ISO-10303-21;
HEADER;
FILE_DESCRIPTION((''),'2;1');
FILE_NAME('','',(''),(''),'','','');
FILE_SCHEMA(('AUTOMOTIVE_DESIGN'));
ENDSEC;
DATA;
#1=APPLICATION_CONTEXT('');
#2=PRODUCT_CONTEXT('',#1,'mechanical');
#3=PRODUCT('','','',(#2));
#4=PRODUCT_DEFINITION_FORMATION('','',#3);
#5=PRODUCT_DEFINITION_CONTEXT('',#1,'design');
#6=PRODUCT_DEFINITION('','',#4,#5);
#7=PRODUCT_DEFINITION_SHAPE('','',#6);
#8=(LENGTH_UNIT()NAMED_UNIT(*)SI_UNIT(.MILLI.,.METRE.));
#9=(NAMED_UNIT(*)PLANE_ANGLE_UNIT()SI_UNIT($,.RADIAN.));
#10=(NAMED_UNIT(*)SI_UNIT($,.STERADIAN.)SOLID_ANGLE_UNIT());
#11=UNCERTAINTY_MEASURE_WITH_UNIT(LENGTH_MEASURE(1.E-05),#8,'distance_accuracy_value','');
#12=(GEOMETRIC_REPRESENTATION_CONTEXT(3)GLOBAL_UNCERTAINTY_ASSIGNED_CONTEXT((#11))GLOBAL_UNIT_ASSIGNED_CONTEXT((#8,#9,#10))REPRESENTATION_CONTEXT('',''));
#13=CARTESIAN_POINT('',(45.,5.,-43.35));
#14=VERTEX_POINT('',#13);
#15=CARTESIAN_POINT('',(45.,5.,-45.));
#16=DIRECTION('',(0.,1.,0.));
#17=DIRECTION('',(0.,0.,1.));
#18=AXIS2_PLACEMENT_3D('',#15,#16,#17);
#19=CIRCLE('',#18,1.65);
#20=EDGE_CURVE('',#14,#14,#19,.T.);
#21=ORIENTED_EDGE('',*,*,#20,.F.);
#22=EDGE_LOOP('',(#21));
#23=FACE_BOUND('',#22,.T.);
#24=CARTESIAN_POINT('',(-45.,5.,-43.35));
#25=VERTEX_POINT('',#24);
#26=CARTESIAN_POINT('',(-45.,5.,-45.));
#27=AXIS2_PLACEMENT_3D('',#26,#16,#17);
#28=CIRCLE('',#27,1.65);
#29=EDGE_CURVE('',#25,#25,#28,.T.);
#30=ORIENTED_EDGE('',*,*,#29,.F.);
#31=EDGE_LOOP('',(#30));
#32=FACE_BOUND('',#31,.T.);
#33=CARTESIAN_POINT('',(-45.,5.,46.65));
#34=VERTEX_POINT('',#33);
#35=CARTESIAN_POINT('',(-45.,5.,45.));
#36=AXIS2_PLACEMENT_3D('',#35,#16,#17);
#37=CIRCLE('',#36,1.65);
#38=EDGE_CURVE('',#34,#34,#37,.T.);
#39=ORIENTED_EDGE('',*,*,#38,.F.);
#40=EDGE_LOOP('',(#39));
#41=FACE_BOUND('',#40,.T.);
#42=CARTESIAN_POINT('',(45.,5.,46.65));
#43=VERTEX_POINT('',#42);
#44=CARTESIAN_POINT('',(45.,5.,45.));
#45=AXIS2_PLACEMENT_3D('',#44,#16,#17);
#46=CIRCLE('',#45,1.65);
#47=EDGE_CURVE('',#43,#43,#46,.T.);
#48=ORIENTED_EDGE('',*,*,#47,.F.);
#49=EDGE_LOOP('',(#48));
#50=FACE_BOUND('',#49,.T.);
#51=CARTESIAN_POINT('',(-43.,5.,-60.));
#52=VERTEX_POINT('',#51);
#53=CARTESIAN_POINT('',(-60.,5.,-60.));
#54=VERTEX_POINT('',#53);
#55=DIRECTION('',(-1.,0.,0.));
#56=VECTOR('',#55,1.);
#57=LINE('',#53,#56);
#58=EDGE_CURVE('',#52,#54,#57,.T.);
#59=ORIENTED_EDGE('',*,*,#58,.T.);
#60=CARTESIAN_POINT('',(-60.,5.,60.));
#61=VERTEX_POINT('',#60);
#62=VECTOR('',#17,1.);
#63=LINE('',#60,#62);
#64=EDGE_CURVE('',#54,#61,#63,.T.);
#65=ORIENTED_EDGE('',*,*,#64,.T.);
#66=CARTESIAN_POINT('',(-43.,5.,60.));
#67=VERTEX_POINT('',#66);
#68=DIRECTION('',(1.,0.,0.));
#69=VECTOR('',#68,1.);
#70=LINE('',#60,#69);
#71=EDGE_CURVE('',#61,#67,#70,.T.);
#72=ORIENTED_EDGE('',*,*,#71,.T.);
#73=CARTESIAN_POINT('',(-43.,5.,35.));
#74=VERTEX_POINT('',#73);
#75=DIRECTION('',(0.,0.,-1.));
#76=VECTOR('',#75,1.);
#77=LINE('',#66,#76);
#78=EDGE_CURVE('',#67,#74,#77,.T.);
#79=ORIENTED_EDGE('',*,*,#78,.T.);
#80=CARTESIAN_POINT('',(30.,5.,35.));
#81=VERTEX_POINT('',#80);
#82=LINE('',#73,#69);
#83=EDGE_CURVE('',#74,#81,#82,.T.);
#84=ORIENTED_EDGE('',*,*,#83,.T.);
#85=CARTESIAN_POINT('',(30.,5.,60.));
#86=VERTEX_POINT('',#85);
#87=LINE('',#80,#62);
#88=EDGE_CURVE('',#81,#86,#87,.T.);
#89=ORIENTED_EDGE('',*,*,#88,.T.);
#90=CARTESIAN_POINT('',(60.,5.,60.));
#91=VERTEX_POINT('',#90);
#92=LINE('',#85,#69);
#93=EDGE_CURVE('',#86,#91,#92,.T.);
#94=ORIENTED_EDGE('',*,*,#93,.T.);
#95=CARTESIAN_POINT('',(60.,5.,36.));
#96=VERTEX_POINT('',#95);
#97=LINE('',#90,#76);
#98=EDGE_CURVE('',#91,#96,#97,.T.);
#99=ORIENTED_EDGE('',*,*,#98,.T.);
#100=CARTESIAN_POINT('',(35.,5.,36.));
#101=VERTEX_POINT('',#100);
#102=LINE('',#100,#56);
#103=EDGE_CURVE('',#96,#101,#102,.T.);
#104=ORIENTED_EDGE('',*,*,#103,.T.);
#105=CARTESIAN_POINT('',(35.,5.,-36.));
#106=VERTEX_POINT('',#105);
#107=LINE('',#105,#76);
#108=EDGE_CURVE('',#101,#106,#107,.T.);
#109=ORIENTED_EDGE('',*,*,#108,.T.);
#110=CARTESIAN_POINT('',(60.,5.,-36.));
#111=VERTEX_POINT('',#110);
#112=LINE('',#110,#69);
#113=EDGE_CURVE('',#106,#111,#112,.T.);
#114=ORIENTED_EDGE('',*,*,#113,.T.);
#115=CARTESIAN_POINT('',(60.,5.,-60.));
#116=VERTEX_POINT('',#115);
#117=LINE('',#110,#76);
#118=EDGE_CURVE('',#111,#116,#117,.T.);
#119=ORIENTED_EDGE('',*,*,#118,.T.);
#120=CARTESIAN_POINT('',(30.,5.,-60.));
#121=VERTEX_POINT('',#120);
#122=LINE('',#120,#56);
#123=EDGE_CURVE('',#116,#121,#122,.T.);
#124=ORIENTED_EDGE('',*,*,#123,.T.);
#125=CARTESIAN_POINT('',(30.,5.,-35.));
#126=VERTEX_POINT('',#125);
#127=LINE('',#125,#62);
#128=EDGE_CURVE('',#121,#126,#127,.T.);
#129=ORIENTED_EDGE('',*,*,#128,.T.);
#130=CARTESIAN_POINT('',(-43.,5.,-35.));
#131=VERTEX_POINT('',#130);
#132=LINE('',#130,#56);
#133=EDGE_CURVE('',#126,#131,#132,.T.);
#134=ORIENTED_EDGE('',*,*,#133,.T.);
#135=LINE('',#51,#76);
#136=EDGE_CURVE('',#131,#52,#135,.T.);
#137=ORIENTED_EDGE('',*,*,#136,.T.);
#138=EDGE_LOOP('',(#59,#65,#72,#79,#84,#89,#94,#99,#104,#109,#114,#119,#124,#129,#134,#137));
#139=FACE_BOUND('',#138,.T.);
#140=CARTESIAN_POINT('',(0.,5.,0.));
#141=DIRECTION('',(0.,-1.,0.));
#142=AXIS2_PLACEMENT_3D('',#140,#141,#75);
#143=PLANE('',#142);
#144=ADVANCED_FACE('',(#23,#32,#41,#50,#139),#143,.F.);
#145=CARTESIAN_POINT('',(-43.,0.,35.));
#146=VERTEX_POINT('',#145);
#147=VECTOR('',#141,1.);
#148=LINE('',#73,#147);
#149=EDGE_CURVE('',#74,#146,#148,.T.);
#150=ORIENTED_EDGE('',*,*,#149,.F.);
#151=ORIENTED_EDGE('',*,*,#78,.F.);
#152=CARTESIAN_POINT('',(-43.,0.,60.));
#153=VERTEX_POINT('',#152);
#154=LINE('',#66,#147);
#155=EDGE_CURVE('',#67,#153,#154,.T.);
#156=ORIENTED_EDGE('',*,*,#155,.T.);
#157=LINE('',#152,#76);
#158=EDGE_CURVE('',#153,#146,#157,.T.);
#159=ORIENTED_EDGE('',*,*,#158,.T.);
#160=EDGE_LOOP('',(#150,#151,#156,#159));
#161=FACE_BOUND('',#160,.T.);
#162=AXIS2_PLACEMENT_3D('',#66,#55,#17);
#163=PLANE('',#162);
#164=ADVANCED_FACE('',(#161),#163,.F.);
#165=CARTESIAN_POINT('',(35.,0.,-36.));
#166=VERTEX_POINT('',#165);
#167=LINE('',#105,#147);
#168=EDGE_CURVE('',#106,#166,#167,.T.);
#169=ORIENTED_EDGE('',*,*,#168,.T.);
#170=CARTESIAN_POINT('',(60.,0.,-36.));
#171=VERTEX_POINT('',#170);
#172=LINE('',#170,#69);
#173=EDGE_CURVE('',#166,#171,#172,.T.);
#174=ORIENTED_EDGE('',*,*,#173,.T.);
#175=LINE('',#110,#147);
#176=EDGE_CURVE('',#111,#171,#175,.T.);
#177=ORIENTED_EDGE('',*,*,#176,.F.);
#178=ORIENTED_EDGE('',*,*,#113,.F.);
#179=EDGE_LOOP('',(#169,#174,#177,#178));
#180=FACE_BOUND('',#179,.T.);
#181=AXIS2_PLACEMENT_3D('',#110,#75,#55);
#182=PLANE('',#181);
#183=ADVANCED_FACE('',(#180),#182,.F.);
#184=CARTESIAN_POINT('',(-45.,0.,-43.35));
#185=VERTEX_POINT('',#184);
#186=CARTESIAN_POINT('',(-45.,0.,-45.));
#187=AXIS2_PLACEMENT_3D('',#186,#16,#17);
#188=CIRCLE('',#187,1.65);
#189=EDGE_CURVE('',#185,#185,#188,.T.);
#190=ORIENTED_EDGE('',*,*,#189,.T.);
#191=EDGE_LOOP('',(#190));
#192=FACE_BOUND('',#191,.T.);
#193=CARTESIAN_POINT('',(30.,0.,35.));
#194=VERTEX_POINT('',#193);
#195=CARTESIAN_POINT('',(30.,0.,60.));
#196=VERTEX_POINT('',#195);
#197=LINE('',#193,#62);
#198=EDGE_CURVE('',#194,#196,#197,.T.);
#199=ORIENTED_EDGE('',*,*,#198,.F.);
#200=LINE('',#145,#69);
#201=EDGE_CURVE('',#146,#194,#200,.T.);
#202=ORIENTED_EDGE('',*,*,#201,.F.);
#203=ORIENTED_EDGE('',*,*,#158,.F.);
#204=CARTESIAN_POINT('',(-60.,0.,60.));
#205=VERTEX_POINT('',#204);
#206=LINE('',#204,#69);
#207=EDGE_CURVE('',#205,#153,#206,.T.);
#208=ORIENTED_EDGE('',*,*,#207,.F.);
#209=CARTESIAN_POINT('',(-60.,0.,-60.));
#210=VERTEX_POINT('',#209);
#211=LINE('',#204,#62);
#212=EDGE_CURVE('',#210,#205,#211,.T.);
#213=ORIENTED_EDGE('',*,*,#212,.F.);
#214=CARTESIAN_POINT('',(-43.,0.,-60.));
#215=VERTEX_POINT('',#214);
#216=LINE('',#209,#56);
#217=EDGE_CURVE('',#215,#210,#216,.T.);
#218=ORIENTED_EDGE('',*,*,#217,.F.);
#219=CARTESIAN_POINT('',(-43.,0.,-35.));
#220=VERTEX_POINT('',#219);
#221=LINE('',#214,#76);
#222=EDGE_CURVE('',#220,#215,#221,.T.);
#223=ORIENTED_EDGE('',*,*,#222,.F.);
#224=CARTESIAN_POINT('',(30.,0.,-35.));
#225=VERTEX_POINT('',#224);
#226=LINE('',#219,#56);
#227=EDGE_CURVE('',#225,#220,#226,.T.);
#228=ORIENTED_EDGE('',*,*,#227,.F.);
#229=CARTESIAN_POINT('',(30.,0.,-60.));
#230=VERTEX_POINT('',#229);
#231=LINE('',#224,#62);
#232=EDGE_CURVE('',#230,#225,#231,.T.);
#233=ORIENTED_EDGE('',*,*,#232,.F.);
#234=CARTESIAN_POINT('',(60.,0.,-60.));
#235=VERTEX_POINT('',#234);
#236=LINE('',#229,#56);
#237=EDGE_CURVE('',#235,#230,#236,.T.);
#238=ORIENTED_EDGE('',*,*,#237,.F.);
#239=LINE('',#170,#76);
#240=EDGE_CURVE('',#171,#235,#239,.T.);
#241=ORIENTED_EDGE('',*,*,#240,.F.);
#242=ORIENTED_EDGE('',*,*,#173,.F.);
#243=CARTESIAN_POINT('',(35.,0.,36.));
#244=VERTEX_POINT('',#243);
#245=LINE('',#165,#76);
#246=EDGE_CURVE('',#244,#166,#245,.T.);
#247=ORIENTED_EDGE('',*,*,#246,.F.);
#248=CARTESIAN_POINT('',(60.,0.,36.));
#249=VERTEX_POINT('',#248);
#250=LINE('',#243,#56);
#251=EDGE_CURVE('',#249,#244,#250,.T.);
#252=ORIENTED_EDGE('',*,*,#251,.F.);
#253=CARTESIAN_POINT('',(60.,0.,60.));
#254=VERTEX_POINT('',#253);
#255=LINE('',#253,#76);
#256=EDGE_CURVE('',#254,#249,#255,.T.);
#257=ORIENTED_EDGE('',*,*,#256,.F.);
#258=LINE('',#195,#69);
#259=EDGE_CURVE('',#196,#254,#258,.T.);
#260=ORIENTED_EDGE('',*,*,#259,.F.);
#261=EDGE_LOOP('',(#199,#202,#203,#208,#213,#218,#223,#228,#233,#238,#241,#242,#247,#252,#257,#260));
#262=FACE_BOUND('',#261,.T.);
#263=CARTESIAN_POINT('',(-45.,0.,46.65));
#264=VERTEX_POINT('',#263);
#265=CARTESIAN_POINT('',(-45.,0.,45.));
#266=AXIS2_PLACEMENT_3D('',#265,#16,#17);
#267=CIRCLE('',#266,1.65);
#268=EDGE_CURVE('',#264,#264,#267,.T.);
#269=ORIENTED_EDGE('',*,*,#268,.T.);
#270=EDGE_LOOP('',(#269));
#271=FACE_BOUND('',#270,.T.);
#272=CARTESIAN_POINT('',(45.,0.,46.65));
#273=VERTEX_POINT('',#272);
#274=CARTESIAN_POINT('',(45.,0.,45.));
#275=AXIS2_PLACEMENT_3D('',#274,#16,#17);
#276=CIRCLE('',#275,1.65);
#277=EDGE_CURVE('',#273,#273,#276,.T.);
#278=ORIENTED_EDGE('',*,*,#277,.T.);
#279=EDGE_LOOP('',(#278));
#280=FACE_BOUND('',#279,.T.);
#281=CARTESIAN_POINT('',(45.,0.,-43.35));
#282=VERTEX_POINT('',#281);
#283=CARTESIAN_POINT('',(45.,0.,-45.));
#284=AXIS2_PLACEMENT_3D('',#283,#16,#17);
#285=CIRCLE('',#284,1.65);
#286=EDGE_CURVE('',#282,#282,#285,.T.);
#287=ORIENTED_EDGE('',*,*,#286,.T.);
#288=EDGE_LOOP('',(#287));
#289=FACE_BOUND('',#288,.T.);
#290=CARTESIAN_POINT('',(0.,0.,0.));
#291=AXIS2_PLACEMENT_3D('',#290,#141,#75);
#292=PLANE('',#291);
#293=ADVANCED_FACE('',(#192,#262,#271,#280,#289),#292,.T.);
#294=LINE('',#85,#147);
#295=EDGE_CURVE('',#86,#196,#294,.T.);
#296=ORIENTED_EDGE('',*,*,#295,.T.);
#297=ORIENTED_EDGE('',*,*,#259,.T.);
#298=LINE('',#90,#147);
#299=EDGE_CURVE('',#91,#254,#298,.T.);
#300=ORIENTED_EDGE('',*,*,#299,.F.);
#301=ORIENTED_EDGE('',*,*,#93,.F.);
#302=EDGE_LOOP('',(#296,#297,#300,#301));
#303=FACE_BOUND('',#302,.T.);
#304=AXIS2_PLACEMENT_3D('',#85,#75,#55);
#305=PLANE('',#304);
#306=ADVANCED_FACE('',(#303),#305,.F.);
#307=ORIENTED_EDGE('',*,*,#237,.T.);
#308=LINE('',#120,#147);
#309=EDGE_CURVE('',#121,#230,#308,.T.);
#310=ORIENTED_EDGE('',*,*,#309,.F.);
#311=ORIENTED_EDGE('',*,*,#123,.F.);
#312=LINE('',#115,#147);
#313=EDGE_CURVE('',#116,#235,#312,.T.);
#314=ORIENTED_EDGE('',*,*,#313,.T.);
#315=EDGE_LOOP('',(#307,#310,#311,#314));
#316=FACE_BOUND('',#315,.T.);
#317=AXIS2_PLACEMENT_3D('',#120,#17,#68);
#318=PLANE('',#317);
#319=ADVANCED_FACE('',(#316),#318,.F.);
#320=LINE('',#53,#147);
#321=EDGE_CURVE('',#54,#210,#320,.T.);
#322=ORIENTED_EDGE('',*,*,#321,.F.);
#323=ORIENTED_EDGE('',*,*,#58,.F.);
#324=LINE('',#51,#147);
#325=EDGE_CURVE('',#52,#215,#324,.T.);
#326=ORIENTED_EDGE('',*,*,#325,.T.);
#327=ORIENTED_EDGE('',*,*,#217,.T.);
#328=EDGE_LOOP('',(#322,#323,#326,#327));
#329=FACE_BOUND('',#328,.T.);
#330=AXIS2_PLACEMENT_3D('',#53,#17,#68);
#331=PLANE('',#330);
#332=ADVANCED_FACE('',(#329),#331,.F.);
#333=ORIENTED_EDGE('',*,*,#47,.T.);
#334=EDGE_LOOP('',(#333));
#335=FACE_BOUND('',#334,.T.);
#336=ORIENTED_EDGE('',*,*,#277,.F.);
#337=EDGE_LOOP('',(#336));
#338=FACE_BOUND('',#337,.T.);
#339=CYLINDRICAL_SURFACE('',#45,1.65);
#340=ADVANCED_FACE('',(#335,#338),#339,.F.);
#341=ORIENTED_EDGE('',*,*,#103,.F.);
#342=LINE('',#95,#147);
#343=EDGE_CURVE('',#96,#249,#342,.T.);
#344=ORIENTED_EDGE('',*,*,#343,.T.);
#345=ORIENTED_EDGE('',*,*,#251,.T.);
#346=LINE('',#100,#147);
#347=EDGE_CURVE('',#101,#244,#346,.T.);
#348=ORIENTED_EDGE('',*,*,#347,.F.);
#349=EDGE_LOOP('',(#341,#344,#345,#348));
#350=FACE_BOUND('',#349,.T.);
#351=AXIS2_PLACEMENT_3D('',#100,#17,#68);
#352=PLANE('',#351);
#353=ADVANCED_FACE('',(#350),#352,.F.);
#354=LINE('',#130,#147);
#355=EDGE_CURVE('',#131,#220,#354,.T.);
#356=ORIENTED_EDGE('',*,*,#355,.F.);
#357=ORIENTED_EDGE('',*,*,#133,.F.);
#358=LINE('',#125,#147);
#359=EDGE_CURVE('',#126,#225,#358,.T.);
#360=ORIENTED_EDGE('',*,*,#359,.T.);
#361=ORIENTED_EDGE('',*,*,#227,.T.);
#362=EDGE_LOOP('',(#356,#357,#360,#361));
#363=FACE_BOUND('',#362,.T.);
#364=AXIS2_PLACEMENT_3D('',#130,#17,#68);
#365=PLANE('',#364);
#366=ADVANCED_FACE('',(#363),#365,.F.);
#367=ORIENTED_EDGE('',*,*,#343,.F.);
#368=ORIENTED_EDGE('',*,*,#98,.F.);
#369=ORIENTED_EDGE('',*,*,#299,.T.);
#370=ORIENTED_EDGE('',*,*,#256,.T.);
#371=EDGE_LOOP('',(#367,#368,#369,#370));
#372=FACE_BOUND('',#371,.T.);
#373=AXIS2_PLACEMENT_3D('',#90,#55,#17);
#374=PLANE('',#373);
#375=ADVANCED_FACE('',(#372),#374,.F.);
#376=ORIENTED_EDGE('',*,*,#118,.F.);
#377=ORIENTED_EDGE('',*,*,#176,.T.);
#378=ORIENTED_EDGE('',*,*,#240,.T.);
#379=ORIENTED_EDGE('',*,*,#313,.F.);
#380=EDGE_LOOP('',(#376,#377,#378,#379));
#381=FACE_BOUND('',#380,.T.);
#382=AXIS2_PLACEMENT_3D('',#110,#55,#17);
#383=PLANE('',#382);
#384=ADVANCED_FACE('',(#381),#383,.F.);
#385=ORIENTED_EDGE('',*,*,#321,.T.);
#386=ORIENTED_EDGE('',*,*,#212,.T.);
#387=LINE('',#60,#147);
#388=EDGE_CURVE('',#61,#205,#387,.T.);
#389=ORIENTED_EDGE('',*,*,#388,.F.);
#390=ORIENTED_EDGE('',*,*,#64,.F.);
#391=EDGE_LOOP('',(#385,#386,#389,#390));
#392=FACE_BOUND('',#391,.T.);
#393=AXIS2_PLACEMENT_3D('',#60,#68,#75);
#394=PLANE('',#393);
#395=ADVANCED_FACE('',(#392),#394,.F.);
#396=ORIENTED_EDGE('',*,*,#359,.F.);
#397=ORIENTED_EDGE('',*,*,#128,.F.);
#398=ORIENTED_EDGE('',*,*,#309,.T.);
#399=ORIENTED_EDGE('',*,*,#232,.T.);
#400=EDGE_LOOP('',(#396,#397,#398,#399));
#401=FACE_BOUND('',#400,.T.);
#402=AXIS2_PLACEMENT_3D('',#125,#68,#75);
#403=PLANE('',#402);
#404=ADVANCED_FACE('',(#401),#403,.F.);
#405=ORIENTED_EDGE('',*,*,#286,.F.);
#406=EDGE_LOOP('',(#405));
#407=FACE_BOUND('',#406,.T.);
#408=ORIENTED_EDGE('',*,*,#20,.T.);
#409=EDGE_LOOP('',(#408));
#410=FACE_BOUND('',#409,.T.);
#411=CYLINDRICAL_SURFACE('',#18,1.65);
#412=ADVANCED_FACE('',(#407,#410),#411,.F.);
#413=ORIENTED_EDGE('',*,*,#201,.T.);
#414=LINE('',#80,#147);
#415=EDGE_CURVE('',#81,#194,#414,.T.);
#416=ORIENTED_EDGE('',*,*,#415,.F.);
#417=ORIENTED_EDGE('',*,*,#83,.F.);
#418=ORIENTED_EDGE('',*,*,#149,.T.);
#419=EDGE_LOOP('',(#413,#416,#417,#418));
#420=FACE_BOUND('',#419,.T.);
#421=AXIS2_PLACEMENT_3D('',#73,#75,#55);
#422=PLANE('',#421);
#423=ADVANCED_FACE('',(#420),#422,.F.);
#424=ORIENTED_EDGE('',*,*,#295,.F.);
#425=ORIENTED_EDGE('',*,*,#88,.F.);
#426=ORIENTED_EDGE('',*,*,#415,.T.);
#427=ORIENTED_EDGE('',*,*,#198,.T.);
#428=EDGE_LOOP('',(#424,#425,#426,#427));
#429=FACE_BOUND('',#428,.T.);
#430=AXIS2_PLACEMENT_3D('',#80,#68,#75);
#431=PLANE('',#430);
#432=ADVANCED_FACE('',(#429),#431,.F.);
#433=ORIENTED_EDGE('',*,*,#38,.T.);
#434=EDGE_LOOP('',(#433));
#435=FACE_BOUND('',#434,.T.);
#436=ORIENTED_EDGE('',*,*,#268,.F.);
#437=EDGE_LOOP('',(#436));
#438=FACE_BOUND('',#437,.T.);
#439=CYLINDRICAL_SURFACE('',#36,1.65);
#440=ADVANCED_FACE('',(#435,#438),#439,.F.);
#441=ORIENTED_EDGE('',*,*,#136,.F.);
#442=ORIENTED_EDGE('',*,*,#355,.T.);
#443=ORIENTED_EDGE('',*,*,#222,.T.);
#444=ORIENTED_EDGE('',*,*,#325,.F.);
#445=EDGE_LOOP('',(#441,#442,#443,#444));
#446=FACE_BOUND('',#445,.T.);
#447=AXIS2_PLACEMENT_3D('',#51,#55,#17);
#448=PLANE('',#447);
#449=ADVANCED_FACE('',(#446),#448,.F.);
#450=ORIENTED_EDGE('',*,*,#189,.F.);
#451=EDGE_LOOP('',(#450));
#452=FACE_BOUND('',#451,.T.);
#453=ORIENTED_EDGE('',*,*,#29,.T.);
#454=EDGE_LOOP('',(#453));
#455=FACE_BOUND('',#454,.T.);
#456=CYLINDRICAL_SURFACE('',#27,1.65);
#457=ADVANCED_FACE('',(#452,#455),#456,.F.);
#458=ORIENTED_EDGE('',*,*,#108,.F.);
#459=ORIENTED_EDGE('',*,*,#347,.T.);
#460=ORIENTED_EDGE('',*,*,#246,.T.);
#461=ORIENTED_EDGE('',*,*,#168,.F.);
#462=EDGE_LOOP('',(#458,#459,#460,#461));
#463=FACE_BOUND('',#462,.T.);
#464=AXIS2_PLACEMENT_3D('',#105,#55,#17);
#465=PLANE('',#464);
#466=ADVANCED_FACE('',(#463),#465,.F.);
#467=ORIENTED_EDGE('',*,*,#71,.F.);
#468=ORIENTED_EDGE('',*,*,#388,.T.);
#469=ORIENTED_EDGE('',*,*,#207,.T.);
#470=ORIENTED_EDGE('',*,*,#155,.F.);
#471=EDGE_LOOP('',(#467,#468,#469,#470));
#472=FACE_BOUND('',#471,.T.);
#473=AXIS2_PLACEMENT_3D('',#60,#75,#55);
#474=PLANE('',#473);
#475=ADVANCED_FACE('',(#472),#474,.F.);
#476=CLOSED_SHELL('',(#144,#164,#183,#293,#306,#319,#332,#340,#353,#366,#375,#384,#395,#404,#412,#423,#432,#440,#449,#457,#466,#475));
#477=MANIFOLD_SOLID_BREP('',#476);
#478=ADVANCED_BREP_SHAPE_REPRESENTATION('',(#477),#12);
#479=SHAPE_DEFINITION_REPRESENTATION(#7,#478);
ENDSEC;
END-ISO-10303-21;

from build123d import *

# Parameters (mm, degrees)
BOSS_EXTRUDE1_DEPTH        = 5
F_3_3_3_3_DIAMETER_HOLE1_D = 3.3


with BuildPart() as part:
    # Sketch1 → Boss-Extrude1 (new body)
    with BuildSketch(Plane(origin=(0, 0, 0), x_dir=(1, 0, 0), z_dir=(0, 1, 0))):
        Polygon((-43, 60), (-43, 35), (30, 35), (30, 60), (60, 60), (60, 36), (35, 36), (35, -36), (60, -36), (60, -60), (30, -60), (30, -35), (-43, -35), (-43, -60), (-60, -60), (-60, 60), align=None)
    extrude(amount=BOSS_EXTRUDE1_DEPTH)

    # Ø3.3 (3.3) Diameter Hole1 (through all)
    with Locations(Plane(origin=(0, 5, 0), x_dir=(1, 0, 0), z_dir=(0, 1, 0))):
        with Locations((-45, 45), (45, 45), (45, -45), (-45, -45)):
            Hole(F_3_3_3_3_DIAMETER_HOLE1_D / 2)


solid = part.part
